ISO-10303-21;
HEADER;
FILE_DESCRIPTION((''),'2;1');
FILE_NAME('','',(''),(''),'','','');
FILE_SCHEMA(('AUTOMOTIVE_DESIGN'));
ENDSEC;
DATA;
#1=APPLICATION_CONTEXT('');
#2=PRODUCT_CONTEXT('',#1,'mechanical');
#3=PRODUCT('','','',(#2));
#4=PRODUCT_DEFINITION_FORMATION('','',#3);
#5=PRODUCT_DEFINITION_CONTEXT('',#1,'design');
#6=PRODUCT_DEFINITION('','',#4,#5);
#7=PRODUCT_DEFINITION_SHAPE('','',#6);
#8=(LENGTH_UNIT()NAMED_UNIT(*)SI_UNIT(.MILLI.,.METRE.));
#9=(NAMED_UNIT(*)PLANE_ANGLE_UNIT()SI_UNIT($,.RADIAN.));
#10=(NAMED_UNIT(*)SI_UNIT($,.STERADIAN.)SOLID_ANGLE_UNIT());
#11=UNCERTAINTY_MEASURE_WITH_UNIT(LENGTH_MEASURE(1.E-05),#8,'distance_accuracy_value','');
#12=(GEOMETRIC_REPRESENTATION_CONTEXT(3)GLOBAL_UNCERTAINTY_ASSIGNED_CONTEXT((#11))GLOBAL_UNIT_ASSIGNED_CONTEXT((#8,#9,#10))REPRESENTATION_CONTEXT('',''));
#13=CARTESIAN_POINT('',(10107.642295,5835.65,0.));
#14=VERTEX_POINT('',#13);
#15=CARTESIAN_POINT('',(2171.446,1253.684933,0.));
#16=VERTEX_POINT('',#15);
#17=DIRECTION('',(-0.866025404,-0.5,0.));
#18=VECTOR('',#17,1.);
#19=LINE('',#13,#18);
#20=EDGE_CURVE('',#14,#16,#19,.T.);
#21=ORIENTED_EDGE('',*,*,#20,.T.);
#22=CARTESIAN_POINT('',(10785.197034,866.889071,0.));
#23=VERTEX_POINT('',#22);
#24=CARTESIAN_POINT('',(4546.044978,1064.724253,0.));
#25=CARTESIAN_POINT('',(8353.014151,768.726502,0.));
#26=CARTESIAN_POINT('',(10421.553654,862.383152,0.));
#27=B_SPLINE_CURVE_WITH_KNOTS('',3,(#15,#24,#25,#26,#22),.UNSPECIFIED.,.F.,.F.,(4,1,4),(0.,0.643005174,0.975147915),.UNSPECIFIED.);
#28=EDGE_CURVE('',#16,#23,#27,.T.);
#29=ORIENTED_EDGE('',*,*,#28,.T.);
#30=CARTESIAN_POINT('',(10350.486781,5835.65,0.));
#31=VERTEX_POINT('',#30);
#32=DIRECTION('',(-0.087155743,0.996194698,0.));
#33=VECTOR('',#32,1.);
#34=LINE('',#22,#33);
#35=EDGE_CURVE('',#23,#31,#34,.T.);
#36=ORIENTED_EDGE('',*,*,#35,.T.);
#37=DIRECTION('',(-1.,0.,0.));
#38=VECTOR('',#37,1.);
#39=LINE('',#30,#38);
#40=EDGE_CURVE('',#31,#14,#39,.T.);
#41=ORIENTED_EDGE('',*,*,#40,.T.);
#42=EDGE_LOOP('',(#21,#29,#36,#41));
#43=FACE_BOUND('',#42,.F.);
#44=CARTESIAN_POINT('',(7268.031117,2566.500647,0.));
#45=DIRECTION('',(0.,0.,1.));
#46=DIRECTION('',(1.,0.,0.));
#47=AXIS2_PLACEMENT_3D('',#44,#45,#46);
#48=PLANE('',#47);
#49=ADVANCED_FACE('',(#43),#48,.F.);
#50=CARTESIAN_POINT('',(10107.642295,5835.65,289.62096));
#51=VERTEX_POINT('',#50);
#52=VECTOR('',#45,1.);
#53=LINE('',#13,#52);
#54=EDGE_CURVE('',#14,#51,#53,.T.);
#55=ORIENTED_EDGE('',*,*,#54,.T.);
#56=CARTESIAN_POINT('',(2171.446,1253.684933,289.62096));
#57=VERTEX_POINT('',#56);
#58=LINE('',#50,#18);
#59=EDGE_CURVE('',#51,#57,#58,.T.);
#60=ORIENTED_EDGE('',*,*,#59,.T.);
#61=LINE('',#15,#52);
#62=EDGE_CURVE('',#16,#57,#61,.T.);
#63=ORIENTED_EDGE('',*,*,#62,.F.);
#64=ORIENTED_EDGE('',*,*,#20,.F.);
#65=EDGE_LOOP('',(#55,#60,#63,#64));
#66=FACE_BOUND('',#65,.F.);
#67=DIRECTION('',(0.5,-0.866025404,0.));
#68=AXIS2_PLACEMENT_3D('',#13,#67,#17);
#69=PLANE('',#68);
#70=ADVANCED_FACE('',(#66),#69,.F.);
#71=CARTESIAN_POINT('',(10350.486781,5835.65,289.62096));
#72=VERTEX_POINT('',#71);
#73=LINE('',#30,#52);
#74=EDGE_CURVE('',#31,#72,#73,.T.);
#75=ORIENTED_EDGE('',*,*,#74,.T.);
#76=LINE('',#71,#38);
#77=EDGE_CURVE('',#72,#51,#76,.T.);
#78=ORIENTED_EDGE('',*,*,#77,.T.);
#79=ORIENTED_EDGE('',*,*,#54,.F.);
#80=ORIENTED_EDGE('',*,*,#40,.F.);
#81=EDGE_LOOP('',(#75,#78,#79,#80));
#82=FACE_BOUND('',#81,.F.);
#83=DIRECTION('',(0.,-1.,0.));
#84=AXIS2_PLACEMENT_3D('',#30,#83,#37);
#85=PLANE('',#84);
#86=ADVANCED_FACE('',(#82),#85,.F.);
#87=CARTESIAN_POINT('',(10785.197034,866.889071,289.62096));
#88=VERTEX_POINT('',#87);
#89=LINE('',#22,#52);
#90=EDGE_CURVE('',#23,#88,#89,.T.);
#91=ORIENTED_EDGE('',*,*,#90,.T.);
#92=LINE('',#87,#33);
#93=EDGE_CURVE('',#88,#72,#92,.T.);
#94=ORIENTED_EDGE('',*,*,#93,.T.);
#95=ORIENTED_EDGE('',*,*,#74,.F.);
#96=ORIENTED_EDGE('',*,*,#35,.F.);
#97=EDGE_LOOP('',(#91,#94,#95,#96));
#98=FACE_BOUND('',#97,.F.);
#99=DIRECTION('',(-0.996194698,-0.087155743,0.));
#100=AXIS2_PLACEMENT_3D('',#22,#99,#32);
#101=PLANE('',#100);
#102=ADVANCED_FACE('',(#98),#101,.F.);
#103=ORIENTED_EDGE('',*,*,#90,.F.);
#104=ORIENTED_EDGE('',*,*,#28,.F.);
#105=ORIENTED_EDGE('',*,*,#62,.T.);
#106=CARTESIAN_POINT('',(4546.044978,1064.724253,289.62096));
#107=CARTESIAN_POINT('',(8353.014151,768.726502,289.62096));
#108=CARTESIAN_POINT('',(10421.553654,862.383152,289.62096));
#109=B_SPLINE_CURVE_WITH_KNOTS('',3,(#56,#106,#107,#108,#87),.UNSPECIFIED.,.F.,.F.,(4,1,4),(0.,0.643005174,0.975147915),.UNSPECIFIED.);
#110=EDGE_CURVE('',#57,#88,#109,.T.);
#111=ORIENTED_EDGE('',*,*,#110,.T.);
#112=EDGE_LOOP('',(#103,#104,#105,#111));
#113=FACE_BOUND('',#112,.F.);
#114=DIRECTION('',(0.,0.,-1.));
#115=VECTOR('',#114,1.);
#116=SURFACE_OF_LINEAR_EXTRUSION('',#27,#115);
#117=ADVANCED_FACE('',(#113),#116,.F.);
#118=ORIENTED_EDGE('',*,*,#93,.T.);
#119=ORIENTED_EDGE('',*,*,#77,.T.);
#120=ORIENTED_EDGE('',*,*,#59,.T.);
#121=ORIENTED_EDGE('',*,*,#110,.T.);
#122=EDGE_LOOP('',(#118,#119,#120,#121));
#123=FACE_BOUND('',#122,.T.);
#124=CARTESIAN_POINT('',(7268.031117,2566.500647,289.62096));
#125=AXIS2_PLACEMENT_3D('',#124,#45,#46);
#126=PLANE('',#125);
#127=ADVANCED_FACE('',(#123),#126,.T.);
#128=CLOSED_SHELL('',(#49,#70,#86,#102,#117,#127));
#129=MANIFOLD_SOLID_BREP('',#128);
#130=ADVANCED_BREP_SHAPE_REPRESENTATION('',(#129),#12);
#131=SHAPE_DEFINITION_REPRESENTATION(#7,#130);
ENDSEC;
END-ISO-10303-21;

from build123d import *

# Parameters (mm, degrees)
F2_DEPTH = 289.62096


with BuildPart() as f2:
    # F1 (on face) → F2 (new body)
    with BuildSketch(Plane.XY):
        with BuildLine():
            Line((10107.6422951893, 5835.65), (2171.446, 1253.6849326307))
            add(Edge.make_bspline(
                [(2171.446, 1253.6849326307), (4546.0449781619, 1064.7242528498), (8353.0141507847, 768.7265022765), (10421.5536540775, 862.3831522697), (10785.1970337564, 866.8890709604)],
                knots=[0, 0, 0, 0, 0.6430051741, 0.9751479153, 0.9751479153, 0.9751479153, 0.9751479153], degree=3))
            Line((10785.1970337564, 866.8890709604), (10350.4867806949, 5835.65))
            Line((10350.4867806949, 5835.65), (10107.6422951893, 5835.65))
        make_face()
    extrude(amount=F2_DEPTH)


solid = f2.part
